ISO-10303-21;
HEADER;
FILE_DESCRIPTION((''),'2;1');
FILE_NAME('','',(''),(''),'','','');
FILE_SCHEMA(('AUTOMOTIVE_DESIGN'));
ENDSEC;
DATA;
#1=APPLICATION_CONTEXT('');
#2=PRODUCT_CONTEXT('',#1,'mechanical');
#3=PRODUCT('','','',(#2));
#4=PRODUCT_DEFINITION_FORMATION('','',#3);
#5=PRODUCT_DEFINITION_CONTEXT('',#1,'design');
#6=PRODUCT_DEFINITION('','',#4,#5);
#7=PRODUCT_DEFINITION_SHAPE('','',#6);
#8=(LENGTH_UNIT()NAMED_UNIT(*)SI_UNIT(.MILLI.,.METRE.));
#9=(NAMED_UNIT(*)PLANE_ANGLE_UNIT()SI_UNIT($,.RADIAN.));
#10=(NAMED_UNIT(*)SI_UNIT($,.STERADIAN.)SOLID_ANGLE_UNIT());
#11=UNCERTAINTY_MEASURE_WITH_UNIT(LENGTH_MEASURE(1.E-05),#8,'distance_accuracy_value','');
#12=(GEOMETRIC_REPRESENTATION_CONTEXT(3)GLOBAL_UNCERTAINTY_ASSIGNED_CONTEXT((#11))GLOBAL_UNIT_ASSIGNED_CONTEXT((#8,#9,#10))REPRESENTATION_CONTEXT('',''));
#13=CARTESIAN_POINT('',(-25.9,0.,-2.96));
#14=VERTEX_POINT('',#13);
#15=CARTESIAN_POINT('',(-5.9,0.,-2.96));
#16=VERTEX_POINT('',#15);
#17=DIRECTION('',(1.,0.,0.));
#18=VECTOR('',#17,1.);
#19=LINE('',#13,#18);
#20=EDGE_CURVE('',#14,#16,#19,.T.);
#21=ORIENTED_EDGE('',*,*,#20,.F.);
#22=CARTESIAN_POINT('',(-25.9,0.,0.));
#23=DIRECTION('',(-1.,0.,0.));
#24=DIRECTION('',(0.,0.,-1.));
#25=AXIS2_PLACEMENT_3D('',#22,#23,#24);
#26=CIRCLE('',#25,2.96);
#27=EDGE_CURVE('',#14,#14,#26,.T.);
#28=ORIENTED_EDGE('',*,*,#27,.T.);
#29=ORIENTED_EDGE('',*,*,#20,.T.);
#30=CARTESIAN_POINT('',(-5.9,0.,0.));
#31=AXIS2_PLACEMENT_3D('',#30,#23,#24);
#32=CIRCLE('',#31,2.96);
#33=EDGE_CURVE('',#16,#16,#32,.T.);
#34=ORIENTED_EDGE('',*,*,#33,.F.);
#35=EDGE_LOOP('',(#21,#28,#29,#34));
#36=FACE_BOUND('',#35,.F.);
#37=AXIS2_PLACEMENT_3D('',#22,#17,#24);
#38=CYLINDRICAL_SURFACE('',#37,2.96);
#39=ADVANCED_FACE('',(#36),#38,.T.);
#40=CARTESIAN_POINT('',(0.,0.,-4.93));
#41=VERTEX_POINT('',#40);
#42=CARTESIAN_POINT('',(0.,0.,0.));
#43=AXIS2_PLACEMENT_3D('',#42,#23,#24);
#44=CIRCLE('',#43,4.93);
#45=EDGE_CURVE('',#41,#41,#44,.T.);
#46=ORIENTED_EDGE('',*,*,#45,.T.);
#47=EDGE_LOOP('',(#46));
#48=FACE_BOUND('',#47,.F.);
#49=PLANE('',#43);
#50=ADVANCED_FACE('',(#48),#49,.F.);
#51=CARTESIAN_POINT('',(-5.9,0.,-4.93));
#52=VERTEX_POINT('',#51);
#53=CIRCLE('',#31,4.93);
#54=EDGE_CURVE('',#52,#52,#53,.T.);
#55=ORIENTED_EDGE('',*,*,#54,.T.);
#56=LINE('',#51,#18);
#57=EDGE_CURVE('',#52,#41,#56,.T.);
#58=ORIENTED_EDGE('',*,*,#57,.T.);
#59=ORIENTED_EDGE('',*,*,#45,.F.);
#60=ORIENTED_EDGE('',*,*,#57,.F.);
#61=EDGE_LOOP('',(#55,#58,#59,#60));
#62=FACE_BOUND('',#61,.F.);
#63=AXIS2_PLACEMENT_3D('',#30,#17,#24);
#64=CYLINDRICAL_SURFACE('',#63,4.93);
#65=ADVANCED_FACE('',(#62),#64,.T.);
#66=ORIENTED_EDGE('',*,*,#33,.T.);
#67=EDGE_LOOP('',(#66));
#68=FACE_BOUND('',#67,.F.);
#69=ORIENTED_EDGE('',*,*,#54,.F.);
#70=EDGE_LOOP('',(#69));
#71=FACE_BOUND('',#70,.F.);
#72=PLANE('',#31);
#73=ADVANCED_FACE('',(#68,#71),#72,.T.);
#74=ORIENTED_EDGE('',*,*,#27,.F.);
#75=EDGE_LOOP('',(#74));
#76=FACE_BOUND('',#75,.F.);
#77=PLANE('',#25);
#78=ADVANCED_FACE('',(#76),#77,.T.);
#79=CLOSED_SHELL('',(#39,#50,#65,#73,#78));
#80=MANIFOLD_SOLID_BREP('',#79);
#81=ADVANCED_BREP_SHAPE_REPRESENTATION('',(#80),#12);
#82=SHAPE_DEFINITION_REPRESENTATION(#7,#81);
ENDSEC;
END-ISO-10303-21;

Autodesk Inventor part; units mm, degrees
ref_plane "YZ Plane" through (0, 0, 0) normal (1, 0, 0) x (0, 1, 0)
ref_plane "XZ Plane" through (0, 0, 0) normal (0, 1, 0) x (-1, 0, 0)
ref_plane "XY Plane" through (0, 0, 0) normal (0, 0, 1) x (1, 0, 0)
sketch "Sketch1" plane through (0, 0, 0) normal (0, 1, 0) x (-1, 0, 0)
  line L0 (0, 0) -> (5.9, 0)
  line L1 (5.9, 0) -> (5.9, -4.93)
  line L2 (5.9, -4.93) -> (0, -4.93)
  line L3 (0, -4.93) -> (0, 0)
  line L4 (5.9, 0) -> (25.9, 0)
  line L5 (25.9, 0) -> (25.9, -2.96)
  line L6 (25.9, -2.96) -> (5.9, -2.96)
  line L7 (5.9, -2.96) -> (5.9, 0)
  dimension "d0" = 4.93
  dimension "d1" = 2.96
  dimension "d2" = 5.9
  dimension "d3" = 20
revolve "Revolution1" add sketch "Sketch1" angle 360 about axis through (-5.9, 0, 0) along (-1, 0, 0)
properties part number "thin nuts"
